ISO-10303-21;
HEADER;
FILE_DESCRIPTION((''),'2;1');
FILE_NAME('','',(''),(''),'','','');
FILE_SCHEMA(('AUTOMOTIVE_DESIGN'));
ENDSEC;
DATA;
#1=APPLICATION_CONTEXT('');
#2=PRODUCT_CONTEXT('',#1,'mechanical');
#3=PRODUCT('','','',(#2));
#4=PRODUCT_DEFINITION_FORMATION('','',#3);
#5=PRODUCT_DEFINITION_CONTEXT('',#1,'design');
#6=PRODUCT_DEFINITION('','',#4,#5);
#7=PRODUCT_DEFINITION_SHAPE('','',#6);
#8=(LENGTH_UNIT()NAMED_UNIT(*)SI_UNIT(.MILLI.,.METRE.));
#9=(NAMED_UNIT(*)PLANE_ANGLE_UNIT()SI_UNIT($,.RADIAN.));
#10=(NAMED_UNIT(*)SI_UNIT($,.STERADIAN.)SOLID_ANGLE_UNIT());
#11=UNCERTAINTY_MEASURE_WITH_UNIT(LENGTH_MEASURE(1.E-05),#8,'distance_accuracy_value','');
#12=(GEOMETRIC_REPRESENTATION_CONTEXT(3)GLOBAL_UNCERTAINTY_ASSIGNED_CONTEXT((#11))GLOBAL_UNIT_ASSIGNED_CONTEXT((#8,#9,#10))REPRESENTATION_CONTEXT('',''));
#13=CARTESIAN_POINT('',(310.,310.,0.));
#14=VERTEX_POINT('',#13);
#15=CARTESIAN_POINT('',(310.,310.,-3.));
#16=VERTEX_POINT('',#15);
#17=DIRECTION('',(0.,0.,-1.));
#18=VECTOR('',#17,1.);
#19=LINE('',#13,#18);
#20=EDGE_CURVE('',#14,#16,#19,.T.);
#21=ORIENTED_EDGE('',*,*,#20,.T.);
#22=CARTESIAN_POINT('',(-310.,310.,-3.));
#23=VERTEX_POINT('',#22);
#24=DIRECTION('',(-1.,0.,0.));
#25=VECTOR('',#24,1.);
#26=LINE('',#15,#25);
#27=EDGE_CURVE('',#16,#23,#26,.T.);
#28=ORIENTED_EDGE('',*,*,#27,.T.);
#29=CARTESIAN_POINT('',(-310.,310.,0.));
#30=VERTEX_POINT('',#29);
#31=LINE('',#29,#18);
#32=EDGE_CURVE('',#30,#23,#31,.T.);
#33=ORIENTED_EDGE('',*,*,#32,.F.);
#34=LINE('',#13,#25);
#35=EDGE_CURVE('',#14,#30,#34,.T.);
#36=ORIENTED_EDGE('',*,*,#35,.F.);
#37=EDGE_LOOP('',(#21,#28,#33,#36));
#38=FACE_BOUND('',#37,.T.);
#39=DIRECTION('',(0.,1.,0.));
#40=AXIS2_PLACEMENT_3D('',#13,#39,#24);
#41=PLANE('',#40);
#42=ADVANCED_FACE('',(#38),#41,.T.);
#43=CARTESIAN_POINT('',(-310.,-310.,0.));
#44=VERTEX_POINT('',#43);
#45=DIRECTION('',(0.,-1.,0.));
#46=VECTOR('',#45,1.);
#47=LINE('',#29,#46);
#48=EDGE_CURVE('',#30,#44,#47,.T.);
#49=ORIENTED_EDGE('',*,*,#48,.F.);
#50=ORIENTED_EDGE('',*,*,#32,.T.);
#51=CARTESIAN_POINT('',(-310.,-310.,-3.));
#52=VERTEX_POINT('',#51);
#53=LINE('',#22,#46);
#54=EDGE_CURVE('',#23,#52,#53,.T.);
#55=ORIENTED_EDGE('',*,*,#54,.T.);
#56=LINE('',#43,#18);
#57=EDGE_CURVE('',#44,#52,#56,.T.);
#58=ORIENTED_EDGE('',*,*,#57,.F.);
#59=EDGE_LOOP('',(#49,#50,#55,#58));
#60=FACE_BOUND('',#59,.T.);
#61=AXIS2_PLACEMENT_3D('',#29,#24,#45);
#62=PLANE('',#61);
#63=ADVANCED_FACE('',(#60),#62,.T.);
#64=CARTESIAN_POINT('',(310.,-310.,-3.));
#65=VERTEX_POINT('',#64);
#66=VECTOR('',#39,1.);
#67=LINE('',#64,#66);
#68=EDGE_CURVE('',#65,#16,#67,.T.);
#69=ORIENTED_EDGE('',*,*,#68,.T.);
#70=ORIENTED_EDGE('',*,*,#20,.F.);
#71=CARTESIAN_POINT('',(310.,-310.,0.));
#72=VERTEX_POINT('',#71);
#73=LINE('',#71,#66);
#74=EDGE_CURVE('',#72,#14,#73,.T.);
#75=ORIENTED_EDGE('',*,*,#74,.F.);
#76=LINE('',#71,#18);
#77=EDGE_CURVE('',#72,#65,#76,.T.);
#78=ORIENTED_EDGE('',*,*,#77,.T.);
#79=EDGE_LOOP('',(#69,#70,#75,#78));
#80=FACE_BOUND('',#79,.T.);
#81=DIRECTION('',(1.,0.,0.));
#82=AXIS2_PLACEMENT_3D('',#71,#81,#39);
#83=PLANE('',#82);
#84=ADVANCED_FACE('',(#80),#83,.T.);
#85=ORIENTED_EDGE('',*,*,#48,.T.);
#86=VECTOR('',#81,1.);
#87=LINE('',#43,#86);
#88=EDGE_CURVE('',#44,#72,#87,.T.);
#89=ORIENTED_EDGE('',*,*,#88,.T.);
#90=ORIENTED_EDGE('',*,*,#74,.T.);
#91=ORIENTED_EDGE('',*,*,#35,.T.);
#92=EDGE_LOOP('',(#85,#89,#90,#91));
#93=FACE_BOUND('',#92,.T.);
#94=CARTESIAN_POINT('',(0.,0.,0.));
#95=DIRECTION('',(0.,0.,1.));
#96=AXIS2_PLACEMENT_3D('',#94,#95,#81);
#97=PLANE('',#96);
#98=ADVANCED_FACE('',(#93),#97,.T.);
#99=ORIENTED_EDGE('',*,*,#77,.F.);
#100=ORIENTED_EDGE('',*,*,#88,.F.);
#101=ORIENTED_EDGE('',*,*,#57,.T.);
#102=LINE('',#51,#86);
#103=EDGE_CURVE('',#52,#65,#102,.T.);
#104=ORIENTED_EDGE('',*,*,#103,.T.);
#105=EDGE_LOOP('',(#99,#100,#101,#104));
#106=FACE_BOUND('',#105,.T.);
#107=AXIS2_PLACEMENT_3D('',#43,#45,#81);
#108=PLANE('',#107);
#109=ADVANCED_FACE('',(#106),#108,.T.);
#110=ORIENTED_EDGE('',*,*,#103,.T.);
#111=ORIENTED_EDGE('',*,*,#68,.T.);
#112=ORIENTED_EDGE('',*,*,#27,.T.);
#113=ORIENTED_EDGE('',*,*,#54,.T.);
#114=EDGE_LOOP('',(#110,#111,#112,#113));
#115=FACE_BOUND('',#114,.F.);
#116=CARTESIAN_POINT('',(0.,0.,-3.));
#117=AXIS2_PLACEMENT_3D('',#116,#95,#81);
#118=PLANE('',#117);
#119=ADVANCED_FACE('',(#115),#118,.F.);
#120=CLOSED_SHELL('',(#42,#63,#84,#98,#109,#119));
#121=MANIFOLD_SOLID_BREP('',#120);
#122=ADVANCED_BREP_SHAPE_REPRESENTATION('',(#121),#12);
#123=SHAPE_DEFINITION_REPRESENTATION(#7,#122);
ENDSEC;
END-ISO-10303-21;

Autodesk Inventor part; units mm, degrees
ref_plane "YZ Plane" through (0, 0, 0) normal (1, 0, 0) x (0, 1, 0)
ref_plane "XZ Plane" through (0, 0, 0) normal (0, 1, 0) x (-1, 0, 0)
ref_plane "XY Plane" through (0, 0, 0) normal (0, 0, 1) x (1, 0, 0)
sketch "Sketch1" plane through (0, 0, 0) normal (0, 0, 1) x (1, 0, 0)
  line L0 (-310, -310) -> (310, -310)
  line L1 (310, -310) -> (310, 310)
  line L2 (310, 310) -> (-310, 310)
  line L3 (-310, 310) -> (-310, -310)
  line L4 (-310, -310) -> (310, 310) construction
  line L5 (310, -310) -> (-310, 310) construction
  point P0 (0, 0)
  dimension "d0" = 620
  dimension "d1" = 620
extrude "Extrusion1" add sketch "Sketch1" against normal blind 3
properties part number "RT_FRM_V5_MC_01_DynamicsBottom" material "Acetal Resin, Black"
